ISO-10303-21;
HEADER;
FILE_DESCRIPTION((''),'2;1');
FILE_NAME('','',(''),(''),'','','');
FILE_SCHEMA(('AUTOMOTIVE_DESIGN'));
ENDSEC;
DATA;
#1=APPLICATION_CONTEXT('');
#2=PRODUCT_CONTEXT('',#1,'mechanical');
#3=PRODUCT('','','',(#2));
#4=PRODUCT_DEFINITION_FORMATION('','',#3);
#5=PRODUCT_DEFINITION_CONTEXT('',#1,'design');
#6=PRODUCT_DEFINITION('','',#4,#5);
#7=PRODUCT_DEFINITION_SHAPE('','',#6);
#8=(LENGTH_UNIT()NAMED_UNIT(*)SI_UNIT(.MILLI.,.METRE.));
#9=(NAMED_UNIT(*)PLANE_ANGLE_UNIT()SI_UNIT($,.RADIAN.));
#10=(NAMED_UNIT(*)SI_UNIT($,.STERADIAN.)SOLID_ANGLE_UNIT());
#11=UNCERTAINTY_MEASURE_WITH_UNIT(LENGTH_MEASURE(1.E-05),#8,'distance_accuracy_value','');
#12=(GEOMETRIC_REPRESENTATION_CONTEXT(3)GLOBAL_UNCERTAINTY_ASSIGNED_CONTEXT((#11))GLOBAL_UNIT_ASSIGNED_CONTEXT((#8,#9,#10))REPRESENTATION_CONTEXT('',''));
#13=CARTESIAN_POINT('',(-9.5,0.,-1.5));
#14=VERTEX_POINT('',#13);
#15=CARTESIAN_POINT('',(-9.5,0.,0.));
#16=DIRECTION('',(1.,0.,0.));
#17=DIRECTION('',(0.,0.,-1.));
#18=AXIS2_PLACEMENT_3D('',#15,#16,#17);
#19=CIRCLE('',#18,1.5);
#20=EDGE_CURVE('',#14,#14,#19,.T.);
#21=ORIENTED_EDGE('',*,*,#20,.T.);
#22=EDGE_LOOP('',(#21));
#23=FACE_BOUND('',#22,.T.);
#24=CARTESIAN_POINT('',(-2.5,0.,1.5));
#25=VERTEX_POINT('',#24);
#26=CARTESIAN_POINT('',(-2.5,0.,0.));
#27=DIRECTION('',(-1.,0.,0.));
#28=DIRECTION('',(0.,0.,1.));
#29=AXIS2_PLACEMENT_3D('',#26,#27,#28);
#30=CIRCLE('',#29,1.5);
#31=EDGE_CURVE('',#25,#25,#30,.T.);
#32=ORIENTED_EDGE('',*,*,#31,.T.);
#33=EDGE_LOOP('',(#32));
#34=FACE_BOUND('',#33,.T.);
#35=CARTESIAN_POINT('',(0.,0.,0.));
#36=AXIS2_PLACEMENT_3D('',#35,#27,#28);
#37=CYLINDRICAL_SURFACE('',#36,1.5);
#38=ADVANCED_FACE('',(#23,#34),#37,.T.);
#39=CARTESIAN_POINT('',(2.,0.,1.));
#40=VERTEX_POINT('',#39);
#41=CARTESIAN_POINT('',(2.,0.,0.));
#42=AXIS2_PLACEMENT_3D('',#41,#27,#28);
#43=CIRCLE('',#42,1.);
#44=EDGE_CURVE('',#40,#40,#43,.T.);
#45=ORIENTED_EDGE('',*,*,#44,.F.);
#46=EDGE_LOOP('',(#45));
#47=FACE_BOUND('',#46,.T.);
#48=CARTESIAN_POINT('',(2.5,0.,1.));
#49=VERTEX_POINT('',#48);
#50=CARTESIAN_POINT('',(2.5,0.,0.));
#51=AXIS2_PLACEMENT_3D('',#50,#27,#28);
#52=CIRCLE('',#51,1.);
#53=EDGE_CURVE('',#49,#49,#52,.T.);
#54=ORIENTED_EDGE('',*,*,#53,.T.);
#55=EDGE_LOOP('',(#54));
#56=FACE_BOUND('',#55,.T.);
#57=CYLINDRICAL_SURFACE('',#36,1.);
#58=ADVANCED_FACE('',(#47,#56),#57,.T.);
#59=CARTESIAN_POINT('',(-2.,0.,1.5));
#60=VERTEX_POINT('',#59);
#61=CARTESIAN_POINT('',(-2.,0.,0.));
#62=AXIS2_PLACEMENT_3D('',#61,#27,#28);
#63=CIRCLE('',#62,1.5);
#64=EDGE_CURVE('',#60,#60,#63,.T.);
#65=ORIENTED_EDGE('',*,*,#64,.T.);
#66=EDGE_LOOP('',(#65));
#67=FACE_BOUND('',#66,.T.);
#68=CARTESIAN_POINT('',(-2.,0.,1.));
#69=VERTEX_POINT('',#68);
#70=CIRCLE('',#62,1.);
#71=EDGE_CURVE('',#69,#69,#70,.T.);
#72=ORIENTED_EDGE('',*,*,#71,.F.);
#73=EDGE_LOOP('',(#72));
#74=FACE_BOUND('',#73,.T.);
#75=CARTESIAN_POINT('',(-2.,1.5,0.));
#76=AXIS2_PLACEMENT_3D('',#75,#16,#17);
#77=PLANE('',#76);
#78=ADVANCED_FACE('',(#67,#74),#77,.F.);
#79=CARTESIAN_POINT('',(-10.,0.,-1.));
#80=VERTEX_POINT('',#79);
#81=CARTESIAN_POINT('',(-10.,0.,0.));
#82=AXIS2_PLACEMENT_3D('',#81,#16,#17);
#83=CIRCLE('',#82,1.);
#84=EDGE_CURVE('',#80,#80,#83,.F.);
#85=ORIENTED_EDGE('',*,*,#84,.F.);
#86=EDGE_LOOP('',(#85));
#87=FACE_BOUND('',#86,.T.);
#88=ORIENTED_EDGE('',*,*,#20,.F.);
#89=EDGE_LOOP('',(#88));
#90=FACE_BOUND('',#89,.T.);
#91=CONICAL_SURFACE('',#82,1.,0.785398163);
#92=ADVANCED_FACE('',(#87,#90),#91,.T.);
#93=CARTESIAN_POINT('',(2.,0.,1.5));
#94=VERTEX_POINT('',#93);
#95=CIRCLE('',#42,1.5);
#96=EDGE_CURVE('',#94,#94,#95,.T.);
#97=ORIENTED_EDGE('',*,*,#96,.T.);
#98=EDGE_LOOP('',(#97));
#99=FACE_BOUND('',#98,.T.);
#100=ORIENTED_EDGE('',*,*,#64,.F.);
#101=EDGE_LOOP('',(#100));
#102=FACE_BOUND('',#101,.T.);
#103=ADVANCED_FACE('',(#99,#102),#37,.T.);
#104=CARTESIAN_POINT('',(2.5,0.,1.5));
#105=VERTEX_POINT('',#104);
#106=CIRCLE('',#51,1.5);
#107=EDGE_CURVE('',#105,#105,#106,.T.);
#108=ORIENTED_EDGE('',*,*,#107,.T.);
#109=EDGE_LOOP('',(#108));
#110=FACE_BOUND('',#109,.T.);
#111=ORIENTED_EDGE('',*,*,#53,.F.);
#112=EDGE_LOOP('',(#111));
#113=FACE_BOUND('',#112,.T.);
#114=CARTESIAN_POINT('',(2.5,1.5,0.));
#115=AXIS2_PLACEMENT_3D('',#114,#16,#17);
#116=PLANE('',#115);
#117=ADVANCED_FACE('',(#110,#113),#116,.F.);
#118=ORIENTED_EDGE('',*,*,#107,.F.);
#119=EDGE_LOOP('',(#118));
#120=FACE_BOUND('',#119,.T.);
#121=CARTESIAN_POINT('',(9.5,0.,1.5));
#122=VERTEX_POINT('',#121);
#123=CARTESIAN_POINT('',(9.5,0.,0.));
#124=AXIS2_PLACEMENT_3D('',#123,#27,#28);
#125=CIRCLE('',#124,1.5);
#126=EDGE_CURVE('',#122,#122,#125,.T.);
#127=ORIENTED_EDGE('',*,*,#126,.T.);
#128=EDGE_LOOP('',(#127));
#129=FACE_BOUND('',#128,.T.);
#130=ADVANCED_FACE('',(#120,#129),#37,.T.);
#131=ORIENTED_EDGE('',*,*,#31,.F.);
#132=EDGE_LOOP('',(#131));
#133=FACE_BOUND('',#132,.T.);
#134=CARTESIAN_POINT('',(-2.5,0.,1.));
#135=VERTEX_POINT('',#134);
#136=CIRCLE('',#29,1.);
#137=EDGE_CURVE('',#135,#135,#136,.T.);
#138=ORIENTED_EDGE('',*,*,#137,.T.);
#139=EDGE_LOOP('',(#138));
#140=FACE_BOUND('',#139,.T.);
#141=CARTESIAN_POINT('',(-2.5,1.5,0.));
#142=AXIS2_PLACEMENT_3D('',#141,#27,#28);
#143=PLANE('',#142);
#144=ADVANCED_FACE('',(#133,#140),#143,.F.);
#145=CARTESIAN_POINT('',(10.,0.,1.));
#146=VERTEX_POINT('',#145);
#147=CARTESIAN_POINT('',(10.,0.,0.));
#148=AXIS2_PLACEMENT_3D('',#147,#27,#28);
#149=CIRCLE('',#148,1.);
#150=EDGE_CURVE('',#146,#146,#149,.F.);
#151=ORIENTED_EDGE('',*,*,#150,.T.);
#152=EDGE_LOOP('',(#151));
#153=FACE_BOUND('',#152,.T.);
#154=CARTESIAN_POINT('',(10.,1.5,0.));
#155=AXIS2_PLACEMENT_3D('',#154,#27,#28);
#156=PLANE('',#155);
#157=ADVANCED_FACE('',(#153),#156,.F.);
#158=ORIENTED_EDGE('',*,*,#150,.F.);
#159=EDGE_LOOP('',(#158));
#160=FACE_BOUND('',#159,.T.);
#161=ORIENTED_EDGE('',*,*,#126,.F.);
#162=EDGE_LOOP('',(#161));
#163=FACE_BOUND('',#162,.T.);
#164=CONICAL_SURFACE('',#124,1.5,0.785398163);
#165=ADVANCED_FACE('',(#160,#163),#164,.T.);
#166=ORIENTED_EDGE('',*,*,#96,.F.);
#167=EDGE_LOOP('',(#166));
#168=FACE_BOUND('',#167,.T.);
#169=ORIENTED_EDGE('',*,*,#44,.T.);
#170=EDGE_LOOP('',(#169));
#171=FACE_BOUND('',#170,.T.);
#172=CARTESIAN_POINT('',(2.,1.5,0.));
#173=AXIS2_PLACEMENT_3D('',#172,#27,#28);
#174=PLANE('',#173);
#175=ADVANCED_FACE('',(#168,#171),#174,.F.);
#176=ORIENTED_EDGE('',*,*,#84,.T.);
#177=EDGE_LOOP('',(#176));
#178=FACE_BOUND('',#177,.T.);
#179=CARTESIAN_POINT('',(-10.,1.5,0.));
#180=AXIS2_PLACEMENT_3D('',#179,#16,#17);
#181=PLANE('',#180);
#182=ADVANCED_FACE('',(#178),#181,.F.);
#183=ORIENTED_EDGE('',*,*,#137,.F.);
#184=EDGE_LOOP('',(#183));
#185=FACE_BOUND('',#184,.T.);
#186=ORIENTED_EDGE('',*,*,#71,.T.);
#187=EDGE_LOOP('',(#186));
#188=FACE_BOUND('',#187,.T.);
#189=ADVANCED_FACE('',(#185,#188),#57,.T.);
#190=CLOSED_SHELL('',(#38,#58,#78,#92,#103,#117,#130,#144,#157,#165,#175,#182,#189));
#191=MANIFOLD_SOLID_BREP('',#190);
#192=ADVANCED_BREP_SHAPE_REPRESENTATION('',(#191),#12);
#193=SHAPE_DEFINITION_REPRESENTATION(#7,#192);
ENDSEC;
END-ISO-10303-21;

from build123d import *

# Parameters (mm, degrees)
CHAMFER1_SIZE = 0.5


with BuildPart() as part:
    # Sketch1 → Revolve1 (revolve)
    with BuildSketch(Plane.XY):
        Polygon((-10, 1.5), (-2.5, 1.5), (-2.5, 1), (-2, 1), (-2, 1.5), (2, 1.5), (2, 1), (2.5, 1), (2.5, 1.5), (10, 1.5), (10, 0), (-10, 0), align=None)
    revolve(axis=Axis((0, 0, 0), (1, 0, 0)))

    # Chamfer1
    chamfer1_edges = [part.edges().sort_by_distance(p)[0] for p in [
        (10, -1.5, 0),
        (-10, -1.5, 0),
    ]]
    chamfer(chamfer1_edges, length=CHAMFER1_SIZE)


solid = part.part
